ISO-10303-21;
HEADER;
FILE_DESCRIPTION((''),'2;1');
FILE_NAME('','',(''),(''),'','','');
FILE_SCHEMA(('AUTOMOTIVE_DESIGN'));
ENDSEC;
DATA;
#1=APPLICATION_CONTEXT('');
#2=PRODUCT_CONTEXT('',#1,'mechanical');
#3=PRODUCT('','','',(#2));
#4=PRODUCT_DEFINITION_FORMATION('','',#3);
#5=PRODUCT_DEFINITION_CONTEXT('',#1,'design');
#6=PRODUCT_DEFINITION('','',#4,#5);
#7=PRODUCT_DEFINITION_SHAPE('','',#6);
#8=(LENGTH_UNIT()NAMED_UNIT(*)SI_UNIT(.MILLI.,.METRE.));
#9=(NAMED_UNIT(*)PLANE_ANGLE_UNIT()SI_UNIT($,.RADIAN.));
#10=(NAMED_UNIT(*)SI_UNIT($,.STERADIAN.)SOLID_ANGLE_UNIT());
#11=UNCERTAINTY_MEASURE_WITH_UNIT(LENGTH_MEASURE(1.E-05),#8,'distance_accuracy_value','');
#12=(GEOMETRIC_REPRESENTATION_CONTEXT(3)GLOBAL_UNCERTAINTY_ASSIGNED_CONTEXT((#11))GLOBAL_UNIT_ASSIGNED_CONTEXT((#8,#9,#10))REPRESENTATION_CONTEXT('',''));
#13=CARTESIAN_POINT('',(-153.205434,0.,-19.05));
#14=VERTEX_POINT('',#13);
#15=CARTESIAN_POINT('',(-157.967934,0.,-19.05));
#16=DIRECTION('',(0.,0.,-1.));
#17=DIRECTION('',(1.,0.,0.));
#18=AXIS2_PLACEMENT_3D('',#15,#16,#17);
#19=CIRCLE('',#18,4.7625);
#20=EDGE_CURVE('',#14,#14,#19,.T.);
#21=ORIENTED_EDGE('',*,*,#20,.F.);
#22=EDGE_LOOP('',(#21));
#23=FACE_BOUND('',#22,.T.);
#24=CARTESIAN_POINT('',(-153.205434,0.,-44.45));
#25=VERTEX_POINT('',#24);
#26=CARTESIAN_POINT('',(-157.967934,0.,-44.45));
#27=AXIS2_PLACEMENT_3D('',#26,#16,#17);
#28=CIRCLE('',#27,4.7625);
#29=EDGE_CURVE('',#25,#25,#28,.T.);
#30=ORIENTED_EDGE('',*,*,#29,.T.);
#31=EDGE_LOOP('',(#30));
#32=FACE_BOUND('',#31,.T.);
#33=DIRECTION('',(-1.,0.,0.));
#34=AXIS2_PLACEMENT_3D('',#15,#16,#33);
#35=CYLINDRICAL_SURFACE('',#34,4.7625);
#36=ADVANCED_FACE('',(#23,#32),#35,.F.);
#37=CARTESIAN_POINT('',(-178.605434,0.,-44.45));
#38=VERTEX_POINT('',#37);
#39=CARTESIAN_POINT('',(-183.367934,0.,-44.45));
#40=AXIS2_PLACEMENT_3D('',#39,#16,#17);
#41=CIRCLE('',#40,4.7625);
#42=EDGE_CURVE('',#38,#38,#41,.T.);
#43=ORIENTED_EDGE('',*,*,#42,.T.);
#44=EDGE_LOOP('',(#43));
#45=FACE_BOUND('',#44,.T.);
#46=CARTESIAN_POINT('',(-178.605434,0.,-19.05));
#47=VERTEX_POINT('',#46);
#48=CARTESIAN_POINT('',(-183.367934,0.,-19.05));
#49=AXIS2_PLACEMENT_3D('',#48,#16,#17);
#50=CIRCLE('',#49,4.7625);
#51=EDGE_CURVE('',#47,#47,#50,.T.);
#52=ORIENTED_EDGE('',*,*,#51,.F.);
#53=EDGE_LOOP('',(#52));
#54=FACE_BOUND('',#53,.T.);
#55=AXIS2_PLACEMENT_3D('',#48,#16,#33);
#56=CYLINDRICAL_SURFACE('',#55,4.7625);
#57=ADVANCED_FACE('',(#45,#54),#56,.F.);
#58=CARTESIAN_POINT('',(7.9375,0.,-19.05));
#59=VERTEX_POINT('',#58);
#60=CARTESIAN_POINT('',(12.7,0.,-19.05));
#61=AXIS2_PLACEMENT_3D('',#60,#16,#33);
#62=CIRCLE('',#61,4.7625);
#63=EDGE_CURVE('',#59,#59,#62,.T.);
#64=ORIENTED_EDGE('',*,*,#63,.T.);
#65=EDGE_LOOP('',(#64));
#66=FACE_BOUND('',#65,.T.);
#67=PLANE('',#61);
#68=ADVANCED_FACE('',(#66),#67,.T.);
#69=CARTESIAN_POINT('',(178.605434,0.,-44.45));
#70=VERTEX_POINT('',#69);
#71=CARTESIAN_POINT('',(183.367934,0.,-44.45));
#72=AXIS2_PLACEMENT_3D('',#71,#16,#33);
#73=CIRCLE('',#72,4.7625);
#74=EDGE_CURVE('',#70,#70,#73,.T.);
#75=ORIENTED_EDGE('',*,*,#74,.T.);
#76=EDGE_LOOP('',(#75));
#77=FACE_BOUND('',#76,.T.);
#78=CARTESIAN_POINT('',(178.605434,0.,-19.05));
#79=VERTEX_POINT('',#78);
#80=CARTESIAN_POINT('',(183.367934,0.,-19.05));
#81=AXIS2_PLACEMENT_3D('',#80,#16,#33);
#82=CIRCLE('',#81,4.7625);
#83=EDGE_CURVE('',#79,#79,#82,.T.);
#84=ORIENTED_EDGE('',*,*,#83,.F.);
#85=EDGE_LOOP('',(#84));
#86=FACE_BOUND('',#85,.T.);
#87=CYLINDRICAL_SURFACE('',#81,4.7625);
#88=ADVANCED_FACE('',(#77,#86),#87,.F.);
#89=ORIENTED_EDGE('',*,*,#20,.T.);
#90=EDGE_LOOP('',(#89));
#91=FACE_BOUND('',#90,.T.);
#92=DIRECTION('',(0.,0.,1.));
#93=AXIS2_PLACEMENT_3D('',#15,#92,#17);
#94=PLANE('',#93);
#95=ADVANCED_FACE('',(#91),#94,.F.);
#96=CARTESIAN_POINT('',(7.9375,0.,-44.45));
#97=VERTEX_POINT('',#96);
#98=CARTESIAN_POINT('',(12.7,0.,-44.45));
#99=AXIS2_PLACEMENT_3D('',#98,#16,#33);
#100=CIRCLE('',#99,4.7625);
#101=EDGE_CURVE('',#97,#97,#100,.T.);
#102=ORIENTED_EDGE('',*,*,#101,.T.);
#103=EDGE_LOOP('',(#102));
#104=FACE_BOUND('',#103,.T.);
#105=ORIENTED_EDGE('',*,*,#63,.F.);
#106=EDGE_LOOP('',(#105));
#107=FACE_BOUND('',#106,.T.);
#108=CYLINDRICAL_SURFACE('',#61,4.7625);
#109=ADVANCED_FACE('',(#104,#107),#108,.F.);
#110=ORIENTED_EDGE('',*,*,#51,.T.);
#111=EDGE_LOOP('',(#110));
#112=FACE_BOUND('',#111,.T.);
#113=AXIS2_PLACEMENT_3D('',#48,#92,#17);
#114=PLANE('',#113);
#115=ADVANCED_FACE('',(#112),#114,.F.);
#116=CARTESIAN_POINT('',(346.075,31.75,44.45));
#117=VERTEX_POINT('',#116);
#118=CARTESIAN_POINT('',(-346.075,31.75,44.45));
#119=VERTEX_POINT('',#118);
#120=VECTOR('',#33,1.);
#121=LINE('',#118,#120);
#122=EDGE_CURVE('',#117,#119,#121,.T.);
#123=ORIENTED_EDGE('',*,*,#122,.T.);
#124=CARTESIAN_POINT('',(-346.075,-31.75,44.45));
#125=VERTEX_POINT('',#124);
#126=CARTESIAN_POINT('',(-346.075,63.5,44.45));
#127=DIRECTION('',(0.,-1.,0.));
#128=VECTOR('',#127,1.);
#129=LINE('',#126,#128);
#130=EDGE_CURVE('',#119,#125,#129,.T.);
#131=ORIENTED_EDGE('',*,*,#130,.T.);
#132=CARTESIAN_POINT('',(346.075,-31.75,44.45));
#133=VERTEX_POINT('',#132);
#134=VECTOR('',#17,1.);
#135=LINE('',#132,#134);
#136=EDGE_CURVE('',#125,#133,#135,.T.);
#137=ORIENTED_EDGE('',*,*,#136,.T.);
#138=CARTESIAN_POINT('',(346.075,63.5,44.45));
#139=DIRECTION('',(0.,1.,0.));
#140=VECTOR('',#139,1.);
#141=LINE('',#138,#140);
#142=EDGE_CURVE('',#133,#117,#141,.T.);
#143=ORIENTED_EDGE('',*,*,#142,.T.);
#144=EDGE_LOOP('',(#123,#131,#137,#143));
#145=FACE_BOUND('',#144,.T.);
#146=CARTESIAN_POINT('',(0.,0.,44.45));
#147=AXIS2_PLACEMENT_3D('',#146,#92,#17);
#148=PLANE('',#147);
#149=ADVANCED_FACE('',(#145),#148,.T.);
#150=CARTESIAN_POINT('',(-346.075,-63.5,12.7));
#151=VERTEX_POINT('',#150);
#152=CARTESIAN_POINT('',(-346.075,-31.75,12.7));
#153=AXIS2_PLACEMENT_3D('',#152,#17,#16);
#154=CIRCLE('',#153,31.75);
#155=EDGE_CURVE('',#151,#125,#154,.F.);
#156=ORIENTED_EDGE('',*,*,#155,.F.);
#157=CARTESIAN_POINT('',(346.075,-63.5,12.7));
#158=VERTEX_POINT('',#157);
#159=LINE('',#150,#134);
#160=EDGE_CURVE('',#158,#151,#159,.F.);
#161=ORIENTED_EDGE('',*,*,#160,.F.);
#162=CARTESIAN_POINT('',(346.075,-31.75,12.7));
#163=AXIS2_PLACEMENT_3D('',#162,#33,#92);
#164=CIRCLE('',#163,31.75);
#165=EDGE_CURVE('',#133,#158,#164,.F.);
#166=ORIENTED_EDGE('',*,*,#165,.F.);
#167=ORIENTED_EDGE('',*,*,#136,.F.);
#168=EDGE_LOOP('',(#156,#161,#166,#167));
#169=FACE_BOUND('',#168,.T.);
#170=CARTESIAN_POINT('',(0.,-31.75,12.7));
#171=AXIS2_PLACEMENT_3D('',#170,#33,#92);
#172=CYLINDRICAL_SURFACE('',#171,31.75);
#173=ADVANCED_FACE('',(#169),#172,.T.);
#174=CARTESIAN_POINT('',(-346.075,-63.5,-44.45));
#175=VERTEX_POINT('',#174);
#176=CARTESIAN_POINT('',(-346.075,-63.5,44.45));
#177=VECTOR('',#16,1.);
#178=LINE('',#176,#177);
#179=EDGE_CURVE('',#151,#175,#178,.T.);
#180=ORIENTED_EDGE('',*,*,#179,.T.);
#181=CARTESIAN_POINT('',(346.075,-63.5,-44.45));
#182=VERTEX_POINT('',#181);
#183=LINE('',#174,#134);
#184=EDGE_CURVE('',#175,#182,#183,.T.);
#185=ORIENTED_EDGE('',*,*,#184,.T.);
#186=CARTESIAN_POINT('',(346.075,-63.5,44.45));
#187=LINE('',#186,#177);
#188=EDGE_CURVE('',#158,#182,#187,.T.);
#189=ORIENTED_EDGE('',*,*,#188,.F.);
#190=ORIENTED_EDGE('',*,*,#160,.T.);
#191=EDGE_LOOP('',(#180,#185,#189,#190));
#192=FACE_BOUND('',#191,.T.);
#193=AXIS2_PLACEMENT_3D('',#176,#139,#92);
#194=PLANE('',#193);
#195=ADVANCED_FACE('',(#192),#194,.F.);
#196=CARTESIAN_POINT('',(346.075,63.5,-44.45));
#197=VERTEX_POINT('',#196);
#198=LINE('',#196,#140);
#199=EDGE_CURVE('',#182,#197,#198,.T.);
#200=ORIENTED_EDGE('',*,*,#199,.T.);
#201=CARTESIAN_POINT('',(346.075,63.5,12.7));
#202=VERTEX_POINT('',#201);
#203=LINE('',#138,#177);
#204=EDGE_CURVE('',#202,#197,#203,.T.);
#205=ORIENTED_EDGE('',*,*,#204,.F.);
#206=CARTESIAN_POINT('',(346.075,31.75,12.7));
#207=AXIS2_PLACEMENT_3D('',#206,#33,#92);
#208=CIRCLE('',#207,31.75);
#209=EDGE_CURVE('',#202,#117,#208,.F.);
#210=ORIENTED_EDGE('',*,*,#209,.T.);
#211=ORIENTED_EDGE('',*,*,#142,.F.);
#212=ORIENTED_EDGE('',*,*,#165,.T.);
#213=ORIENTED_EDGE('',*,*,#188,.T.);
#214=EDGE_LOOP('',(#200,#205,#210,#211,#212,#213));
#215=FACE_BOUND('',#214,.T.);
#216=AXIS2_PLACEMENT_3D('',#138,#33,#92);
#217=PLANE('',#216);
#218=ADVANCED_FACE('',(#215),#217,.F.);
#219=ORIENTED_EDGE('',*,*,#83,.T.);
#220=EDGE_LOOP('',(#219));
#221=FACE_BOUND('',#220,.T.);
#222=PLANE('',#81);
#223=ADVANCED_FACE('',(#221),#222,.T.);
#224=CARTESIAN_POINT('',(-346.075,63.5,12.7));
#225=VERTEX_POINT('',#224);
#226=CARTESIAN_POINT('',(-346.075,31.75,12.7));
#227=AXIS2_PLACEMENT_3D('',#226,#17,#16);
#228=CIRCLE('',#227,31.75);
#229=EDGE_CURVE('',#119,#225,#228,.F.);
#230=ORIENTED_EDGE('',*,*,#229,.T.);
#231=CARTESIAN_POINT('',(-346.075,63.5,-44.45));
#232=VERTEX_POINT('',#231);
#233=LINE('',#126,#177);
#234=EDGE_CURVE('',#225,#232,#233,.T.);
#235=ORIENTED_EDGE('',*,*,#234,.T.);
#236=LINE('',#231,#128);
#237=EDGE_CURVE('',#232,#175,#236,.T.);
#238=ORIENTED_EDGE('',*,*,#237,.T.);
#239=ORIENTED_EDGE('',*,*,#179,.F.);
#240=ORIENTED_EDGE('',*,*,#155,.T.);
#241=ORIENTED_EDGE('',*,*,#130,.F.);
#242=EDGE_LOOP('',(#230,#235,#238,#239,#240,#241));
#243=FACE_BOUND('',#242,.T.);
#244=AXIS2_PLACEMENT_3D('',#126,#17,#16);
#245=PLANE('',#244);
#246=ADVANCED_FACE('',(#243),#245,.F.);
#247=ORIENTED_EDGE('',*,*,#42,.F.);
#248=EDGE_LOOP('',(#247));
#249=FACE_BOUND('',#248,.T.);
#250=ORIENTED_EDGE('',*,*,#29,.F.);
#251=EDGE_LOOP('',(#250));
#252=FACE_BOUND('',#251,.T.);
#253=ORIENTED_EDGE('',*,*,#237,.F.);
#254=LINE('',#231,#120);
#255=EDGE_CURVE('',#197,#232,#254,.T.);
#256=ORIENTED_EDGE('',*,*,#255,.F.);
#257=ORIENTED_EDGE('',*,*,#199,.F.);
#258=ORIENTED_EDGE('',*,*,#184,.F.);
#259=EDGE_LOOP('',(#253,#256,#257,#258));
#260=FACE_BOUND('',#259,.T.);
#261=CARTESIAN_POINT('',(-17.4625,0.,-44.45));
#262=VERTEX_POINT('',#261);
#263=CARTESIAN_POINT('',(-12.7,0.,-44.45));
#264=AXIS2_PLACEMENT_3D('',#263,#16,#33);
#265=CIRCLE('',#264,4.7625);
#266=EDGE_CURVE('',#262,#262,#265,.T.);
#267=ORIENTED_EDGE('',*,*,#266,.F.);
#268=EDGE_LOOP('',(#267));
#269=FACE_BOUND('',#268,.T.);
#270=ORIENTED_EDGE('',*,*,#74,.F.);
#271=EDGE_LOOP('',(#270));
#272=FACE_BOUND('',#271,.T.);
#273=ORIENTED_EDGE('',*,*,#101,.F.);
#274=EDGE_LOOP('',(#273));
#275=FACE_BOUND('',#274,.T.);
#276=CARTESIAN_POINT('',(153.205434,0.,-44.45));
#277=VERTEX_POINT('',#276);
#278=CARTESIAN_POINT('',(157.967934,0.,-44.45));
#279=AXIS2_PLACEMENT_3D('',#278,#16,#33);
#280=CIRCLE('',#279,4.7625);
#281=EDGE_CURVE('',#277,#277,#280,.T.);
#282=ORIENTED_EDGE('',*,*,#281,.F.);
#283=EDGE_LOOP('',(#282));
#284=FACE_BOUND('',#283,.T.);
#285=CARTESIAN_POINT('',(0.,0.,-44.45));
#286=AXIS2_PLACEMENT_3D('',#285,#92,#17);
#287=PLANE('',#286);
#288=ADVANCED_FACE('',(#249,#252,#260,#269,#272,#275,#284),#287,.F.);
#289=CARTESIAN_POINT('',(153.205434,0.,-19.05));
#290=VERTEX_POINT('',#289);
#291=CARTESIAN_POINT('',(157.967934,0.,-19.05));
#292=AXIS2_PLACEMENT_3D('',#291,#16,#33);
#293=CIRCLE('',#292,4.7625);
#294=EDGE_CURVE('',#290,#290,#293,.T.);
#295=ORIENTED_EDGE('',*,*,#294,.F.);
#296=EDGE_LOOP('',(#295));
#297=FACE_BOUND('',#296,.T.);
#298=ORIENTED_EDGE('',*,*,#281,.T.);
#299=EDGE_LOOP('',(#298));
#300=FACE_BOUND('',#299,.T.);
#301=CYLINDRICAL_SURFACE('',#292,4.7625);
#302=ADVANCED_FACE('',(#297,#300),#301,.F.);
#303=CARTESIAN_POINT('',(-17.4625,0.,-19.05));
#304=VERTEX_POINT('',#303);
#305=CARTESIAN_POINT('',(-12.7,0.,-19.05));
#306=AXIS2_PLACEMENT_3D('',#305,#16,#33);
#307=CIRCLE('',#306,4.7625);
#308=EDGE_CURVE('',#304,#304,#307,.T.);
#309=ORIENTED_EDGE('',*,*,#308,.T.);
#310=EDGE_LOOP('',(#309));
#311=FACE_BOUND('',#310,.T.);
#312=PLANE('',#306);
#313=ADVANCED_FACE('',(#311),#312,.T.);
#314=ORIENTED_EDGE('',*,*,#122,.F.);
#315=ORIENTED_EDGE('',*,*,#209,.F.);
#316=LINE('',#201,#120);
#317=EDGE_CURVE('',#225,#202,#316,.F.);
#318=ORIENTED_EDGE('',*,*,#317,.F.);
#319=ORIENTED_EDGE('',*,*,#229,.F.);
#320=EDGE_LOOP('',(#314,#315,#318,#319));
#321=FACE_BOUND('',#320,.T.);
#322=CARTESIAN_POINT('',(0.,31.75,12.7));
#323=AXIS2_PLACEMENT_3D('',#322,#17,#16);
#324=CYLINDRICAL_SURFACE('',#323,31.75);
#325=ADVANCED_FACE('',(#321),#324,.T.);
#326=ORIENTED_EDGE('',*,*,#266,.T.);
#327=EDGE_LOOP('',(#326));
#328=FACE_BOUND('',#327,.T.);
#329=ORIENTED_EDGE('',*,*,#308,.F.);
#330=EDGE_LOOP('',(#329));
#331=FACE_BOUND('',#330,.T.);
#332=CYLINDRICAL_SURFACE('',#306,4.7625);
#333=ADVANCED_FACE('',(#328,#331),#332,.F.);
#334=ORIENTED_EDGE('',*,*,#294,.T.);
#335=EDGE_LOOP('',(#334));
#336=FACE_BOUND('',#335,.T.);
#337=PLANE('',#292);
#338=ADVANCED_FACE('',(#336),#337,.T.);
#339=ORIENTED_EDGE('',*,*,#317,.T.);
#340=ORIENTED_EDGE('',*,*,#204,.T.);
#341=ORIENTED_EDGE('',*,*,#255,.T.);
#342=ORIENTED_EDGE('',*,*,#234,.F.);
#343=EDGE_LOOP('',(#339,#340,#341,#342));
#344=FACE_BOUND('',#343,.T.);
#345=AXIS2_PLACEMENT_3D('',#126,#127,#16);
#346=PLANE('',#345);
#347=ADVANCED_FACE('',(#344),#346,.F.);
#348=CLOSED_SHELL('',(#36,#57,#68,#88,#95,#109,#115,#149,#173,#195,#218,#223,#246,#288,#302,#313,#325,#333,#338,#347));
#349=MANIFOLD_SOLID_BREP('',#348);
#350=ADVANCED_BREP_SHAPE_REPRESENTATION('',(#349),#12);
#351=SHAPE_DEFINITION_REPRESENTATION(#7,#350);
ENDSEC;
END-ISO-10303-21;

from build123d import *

# Parameters (mm, degrees)
SKETCH1_W           = 692.15
SKETCH1_H           = 127
BOSS_EXTRUDE1_DEPTH = 44.45
FILLET1_R           = 31.75
SKETCH2_R           = 4.7625
CUT_EXTRUDE1_DEPTH  = 25.4


with BuildPart() as part:
    # Sketch1 → Boss-Extrude1 (new, symmetric)
    with BuildSketch(Plane.XY):
        Rectangle(SKETCH1_W, SKETCH1_H)
    extrude(amount=BOSS_EXTRUDE1_DEPTH, both=True)

    # Fillet1
    fillet1_edges = [part.edges().sort_by_distance(p)[0] for p in [
        (0, -63.5, 44.45),
        (0, 63.5, 44.45),
    ]]
    fillet(fillet1_edges, radius=FILLET1_R)

    # Sketch2 → Cut-Extrude1 (cut)
    with BuildSketch(Plane(origin=(0, 0, -44.45), x_dir=(-1, 0, 0), z_dir=(0, 0, -1))):
        with Locations(Location((157.967933997, 0, 0), (0, 0, 180))):
            Circle(SKETCH2_R)
        with Locations(Location((183.367933997, 0, 0), (0, 0, 180))):
            Circle(SKETCH2_R)
        with Locations((12.7, 0)):
            Circle(SKETCH2_R)
        with Locations((-12.7, 0)):
            Circle(SKETCH2_R)
        with Locations((-157.967933997, 0)):
            Circle(SKETCH2_R)
        with Locations((-183.367933997, 0)):
            Circle(SKETCH2_R)
    extrude(amount=-CUT_EXTRUDE1_DEPTH, mode=Mode.SUBTRACT)


solid = part.part
